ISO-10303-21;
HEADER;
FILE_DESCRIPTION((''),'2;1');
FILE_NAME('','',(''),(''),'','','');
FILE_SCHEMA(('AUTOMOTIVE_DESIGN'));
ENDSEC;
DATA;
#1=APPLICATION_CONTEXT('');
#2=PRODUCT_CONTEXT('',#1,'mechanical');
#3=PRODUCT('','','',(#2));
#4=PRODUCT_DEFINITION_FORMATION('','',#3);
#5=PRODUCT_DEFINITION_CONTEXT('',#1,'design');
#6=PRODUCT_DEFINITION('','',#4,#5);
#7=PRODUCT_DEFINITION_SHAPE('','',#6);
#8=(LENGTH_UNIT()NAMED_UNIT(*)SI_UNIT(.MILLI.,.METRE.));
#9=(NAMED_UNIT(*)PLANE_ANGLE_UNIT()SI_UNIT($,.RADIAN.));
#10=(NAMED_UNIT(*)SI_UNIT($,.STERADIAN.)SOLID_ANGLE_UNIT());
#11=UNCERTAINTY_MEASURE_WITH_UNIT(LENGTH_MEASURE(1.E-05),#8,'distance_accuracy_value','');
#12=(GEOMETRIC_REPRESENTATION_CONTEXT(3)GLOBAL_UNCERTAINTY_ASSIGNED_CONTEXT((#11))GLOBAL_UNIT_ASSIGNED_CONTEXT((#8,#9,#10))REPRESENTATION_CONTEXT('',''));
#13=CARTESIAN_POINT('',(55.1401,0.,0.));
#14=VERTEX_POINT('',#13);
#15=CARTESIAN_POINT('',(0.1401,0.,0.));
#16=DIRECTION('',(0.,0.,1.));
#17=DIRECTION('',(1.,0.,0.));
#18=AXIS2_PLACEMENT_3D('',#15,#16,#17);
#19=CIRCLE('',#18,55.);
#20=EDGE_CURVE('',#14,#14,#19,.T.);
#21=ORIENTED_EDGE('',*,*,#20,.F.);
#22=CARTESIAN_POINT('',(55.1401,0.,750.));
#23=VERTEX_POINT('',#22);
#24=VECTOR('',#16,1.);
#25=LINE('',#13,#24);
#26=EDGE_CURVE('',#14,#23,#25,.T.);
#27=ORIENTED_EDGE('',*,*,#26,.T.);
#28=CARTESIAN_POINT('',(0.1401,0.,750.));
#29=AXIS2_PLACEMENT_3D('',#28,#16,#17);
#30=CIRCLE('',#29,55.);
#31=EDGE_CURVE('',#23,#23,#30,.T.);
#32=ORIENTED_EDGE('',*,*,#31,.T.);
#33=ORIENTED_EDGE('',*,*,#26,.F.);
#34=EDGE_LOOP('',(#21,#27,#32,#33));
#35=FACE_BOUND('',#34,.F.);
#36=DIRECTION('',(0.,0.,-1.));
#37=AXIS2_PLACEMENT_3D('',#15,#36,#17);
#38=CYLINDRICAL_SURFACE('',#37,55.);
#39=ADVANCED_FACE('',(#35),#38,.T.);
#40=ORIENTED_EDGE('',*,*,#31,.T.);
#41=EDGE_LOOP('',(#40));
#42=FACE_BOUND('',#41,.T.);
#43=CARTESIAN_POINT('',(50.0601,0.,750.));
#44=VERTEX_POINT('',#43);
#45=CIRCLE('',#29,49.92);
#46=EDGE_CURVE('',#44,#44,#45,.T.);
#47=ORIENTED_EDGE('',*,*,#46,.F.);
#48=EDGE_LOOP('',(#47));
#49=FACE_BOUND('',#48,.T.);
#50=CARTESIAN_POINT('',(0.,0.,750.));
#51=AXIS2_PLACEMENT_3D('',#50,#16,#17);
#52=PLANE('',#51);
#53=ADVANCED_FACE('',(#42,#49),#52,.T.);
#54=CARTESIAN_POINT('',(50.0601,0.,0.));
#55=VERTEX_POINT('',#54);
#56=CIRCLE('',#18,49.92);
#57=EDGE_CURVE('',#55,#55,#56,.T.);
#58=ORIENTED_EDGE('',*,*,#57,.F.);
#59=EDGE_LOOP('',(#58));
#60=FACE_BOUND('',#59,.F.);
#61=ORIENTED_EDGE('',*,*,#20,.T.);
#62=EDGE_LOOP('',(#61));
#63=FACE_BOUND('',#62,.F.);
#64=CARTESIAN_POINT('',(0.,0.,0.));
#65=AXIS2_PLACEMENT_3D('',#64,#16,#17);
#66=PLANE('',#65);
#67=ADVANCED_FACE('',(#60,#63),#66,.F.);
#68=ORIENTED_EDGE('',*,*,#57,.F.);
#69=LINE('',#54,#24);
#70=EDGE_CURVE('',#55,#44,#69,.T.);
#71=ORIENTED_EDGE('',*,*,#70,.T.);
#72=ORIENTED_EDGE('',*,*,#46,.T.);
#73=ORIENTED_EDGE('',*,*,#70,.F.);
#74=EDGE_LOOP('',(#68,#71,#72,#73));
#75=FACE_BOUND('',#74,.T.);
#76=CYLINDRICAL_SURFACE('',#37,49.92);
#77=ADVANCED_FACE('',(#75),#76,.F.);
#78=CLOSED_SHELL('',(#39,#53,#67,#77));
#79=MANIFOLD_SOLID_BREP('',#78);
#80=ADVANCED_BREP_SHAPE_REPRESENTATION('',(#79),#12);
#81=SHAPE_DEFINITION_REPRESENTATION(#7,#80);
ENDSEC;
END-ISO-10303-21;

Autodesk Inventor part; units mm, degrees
ref_plane "YZ Plane" through (0, 0, 0) normal (1, 0, 0) x (0, 1, 0)
ref_plane "XZ Plane" through (0, 0, 0) normal (0, 1, 0) x (-1, 0, 0)
ref_plane "XY Plane" through (0, 0, 0) normal (0, 0, 1) x (1, 0, 0)
sketch "Sketch1" plane through (0, 0, 0) normal (0, 0, 1) x (1, 0, 0)
  circle A0 centre (0.1401, 0) radius 55
  circle A1 centre (0.1401, 0) radius 49.92
  point P0 (0, 0)
  dimension "d1" = 5.08
  dimension "d2" = 110
extrude "Extrusion1" add sketch "Sketch1" along normal blind 750
properties part number "pipe_110mm_0.75m"
